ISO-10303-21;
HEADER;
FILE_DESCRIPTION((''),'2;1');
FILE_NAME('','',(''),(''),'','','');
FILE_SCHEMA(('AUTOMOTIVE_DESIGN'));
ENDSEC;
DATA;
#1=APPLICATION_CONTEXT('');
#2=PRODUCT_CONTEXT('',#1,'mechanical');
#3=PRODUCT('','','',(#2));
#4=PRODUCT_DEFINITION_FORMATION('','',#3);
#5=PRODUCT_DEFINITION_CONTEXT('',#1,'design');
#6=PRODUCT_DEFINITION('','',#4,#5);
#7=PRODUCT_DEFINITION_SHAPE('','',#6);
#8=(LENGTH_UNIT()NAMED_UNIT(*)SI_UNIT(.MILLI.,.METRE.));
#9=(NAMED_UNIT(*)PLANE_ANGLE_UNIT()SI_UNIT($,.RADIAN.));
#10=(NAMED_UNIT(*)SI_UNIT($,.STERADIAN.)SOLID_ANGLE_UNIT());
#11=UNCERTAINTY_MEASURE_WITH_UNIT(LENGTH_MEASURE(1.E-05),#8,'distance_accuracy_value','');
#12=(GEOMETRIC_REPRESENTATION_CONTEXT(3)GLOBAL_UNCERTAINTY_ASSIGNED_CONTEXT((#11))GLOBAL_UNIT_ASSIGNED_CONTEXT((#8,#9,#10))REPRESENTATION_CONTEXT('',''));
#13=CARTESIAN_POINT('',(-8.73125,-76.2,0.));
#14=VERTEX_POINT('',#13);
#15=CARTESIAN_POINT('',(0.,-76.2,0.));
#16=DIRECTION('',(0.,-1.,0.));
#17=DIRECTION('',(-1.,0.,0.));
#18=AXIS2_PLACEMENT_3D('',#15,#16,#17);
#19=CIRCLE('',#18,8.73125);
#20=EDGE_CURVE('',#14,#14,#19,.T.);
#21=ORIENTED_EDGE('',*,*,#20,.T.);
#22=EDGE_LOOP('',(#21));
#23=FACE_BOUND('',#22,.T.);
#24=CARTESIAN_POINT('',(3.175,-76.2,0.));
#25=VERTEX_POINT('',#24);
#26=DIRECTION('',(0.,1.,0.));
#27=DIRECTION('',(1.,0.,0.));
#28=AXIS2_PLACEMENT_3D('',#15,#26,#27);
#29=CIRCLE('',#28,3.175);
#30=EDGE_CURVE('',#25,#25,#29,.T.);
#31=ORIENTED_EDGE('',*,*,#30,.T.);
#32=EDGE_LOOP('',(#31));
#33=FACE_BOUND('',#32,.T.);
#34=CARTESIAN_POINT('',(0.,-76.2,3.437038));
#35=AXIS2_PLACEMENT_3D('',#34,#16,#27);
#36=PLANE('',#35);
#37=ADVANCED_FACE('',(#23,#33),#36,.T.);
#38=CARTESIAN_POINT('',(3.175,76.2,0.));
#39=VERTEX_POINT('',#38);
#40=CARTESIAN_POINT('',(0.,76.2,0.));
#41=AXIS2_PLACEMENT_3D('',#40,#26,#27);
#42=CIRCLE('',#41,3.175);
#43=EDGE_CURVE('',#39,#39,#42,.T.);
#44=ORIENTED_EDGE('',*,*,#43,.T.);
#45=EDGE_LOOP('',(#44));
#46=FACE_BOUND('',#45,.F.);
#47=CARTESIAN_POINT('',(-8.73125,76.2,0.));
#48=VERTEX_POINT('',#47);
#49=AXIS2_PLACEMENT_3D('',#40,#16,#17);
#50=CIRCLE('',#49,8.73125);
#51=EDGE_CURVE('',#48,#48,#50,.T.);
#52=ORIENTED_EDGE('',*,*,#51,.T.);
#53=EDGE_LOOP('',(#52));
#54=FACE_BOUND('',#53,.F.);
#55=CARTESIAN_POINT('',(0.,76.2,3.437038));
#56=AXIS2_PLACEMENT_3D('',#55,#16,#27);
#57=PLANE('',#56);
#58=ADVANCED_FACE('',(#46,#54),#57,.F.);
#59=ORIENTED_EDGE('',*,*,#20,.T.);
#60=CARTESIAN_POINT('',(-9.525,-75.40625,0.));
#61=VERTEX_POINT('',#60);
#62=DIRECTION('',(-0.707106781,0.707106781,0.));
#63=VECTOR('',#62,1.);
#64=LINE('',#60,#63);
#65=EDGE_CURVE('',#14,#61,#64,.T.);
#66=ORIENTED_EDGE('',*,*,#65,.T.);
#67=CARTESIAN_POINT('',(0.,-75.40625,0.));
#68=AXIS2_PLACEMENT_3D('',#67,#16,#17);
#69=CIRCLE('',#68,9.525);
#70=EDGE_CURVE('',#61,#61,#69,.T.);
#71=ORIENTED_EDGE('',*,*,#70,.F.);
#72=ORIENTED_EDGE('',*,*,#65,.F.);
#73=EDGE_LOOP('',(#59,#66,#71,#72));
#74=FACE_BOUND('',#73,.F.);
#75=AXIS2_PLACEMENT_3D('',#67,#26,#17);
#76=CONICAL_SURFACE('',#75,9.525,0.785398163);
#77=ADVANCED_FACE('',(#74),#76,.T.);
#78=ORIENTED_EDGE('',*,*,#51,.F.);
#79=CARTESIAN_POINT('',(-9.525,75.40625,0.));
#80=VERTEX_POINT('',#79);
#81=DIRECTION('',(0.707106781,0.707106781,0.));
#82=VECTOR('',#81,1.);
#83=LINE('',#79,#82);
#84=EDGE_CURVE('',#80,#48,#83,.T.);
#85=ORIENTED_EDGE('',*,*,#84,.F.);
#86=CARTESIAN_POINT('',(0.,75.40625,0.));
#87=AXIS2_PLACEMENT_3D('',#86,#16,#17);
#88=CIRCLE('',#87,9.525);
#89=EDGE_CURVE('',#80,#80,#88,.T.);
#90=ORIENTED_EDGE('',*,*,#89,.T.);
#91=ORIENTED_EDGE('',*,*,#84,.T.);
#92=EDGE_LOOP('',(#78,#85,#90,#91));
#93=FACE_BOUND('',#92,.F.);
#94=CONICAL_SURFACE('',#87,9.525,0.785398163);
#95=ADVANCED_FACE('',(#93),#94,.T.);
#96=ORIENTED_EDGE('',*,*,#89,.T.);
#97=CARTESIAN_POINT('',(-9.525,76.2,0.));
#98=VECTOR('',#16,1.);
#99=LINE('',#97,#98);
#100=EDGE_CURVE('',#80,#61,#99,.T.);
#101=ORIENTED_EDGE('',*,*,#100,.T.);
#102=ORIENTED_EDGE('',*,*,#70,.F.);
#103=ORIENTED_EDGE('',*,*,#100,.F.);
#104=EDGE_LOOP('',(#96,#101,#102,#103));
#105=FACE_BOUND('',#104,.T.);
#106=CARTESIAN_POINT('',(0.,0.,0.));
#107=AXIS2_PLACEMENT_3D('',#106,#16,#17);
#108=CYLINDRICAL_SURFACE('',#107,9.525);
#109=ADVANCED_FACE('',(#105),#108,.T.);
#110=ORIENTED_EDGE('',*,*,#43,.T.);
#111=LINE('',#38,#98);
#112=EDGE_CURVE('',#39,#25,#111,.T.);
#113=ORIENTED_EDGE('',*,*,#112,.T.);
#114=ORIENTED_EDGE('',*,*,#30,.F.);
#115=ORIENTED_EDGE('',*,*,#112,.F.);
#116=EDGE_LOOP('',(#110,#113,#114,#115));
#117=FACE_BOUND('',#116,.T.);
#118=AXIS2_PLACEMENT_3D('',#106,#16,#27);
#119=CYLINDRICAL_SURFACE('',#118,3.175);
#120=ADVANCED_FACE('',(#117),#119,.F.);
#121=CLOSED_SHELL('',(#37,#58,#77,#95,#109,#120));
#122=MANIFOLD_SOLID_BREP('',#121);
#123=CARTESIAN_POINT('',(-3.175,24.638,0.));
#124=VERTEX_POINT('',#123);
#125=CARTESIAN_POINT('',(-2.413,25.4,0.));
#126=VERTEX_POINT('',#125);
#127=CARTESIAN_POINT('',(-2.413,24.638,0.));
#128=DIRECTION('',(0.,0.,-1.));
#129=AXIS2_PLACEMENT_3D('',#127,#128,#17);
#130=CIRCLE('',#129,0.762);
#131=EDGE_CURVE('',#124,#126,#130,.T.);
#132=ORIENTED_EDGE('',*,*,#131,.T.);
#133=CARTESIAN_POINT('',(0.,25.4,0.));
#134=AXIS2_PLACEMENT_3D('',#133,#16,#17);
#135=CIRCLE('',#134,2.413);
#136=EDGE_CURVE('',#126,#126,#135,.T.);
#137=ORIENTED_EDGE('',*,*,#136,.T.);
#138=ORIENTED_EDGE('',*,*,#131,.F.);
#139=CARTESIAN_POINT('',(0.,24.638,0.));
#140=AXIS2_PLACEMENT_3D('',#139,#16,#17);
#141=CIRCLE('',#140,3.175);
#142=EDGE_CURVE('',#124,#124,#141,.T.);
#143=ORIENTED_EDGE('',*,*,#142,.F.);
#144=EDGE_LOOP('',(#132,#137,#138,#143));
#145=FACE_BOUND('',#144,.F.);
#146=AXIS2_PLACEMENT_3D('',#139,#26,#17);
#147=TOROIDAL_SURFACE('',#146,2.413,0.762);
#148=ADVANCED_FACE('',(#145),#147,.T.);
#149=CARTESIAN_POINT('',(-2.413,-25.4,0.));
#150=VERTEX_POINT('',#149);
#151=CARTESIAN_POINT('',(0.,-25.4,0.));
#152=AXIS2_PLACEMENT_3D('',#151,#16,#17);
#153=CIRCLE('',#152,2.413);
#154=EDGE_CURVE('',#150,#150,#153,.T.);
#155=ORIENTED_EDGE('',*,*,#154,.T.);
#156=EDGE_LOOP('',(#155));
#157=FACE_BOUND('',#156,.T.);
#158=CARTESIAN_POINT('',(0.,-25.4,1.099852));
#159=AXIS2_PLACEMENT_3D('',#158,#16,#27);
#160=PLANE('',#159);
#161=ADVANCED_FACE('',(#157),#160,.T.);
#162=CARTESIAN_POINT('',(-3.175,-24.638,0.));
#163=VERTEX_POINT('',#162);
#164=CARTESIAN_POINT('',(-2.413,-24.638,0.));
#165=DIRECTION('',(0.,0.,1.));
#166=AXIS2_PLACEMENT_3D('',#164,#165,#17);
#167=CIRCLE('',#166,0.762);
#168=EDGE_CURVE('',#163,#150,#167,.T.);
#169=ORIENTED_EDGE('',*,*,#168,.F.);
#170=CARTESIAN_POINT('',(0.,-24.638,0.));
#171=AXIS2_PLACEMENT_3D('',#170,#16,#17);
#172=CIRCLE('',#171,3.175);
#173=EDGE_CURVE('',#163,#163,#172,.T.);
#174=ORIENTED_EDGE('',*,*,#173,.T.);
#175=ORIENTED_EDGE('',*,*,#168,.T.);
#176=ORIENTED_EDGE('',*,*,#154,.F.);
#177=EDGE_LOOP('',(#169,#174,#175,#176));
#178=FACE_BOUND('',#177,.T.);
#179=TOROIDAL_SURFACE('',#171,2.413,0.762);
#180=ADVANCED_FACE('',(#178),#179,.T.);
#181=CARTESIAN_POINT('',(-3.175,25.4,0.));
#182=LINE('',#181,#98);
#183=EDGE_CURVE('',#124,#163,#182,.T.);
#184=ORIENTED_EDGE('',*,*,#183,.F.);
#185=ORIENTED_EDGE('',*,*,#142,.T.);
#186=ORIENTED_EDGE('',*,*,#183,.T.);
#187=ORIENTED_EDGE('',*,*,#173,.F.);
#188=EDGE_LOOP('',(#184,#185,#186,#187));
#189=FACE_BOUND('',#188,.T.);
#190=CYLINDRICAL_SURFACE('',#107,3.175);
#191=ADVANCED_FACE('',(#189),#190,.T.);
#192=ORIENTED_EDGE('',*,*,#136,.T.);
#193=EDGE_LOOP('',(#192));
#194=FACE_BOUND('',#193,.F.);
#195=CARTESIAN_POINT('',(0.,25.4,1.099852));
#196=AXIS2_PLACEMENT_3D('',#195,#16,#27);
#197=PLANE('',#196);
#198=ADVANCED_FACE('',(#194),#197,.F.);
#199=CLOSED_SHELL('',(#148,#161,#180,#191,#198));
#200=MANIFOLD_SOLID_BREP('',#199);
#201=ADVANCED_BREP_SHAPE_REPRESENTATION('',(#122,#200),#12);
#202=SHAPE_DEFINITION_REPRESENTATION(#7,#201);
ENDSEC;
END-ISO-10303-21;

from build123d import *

# Parameters (mm, degrees)
F1_DEPTH = 76.2
F2_SIZE  = 0.79375
F3_DEPTH = 25.4
F4_R     = 0.762


with BuildPart() as f1:
    # F0 (on Front) → F1 (new body, symmetric)
    with BuildSketch(Plane.XZ):
        with BuildLine():
            ThreePointArc((-3.175, 0), (0, 3.175), (3.175, 0))
            Line((3.175, 0), (9.525, 0))
            ThreePointArc((9.525, 0), (0, 9.525), (-9.525, 0))
            Line((-9.525, 0), (-3.175, 0))
        make_face()
        with BuildLine():
            Line((9.525, 0), (3.175, 0))
            ThreePointArc((3.175, 0), (0, -3.175), (-3.175, 0))
            Line((-3.175, 0), (-9.525, 0))
            ThreePointArc((-9.525, 0), (0, -9.525), (9.525, 0))
        make_face()
    extrude(amount=F1_DEPTH, both=True)

    # F2
    f2_edges = [f1.edges().sort_by_distance(p)[0] for p in [
        (9.525, 76.2, 0),
        (9.525, -76.2, 0),
    ]]
    chamfer(f2_edges, length=F2_SIZE)


with BuildPart() as f3:
    # F0 (on Front) → F3 (new body, symmetric)
    with BuildSketch(Plane.XZ):
        with BuildLine():
            Line((-3.175, 0), (3.175, 0))
            ThreePointArc((3.175, 0), (0, 3.175), (-3.175, 0))
        make_face()
        with BuildLine():
            ThreePointArc((-3.175, 0), (0, -3.175), (3.175, 0))
            Line((3.175, 0), (-3.175, 0))
        make_face()
    extrude(amount=F3_DEPTH, both=True)

    # F4
    f4_edges = [f3.edges().sort_by_distance(p)[0] for p in [
        (3.175, -25.4, 0),
        (3.175, 25.4, 0),
    ]]
    fillet(f4_edges, radius=F4_R)


solid = Compound([f1.part, f3.part])
